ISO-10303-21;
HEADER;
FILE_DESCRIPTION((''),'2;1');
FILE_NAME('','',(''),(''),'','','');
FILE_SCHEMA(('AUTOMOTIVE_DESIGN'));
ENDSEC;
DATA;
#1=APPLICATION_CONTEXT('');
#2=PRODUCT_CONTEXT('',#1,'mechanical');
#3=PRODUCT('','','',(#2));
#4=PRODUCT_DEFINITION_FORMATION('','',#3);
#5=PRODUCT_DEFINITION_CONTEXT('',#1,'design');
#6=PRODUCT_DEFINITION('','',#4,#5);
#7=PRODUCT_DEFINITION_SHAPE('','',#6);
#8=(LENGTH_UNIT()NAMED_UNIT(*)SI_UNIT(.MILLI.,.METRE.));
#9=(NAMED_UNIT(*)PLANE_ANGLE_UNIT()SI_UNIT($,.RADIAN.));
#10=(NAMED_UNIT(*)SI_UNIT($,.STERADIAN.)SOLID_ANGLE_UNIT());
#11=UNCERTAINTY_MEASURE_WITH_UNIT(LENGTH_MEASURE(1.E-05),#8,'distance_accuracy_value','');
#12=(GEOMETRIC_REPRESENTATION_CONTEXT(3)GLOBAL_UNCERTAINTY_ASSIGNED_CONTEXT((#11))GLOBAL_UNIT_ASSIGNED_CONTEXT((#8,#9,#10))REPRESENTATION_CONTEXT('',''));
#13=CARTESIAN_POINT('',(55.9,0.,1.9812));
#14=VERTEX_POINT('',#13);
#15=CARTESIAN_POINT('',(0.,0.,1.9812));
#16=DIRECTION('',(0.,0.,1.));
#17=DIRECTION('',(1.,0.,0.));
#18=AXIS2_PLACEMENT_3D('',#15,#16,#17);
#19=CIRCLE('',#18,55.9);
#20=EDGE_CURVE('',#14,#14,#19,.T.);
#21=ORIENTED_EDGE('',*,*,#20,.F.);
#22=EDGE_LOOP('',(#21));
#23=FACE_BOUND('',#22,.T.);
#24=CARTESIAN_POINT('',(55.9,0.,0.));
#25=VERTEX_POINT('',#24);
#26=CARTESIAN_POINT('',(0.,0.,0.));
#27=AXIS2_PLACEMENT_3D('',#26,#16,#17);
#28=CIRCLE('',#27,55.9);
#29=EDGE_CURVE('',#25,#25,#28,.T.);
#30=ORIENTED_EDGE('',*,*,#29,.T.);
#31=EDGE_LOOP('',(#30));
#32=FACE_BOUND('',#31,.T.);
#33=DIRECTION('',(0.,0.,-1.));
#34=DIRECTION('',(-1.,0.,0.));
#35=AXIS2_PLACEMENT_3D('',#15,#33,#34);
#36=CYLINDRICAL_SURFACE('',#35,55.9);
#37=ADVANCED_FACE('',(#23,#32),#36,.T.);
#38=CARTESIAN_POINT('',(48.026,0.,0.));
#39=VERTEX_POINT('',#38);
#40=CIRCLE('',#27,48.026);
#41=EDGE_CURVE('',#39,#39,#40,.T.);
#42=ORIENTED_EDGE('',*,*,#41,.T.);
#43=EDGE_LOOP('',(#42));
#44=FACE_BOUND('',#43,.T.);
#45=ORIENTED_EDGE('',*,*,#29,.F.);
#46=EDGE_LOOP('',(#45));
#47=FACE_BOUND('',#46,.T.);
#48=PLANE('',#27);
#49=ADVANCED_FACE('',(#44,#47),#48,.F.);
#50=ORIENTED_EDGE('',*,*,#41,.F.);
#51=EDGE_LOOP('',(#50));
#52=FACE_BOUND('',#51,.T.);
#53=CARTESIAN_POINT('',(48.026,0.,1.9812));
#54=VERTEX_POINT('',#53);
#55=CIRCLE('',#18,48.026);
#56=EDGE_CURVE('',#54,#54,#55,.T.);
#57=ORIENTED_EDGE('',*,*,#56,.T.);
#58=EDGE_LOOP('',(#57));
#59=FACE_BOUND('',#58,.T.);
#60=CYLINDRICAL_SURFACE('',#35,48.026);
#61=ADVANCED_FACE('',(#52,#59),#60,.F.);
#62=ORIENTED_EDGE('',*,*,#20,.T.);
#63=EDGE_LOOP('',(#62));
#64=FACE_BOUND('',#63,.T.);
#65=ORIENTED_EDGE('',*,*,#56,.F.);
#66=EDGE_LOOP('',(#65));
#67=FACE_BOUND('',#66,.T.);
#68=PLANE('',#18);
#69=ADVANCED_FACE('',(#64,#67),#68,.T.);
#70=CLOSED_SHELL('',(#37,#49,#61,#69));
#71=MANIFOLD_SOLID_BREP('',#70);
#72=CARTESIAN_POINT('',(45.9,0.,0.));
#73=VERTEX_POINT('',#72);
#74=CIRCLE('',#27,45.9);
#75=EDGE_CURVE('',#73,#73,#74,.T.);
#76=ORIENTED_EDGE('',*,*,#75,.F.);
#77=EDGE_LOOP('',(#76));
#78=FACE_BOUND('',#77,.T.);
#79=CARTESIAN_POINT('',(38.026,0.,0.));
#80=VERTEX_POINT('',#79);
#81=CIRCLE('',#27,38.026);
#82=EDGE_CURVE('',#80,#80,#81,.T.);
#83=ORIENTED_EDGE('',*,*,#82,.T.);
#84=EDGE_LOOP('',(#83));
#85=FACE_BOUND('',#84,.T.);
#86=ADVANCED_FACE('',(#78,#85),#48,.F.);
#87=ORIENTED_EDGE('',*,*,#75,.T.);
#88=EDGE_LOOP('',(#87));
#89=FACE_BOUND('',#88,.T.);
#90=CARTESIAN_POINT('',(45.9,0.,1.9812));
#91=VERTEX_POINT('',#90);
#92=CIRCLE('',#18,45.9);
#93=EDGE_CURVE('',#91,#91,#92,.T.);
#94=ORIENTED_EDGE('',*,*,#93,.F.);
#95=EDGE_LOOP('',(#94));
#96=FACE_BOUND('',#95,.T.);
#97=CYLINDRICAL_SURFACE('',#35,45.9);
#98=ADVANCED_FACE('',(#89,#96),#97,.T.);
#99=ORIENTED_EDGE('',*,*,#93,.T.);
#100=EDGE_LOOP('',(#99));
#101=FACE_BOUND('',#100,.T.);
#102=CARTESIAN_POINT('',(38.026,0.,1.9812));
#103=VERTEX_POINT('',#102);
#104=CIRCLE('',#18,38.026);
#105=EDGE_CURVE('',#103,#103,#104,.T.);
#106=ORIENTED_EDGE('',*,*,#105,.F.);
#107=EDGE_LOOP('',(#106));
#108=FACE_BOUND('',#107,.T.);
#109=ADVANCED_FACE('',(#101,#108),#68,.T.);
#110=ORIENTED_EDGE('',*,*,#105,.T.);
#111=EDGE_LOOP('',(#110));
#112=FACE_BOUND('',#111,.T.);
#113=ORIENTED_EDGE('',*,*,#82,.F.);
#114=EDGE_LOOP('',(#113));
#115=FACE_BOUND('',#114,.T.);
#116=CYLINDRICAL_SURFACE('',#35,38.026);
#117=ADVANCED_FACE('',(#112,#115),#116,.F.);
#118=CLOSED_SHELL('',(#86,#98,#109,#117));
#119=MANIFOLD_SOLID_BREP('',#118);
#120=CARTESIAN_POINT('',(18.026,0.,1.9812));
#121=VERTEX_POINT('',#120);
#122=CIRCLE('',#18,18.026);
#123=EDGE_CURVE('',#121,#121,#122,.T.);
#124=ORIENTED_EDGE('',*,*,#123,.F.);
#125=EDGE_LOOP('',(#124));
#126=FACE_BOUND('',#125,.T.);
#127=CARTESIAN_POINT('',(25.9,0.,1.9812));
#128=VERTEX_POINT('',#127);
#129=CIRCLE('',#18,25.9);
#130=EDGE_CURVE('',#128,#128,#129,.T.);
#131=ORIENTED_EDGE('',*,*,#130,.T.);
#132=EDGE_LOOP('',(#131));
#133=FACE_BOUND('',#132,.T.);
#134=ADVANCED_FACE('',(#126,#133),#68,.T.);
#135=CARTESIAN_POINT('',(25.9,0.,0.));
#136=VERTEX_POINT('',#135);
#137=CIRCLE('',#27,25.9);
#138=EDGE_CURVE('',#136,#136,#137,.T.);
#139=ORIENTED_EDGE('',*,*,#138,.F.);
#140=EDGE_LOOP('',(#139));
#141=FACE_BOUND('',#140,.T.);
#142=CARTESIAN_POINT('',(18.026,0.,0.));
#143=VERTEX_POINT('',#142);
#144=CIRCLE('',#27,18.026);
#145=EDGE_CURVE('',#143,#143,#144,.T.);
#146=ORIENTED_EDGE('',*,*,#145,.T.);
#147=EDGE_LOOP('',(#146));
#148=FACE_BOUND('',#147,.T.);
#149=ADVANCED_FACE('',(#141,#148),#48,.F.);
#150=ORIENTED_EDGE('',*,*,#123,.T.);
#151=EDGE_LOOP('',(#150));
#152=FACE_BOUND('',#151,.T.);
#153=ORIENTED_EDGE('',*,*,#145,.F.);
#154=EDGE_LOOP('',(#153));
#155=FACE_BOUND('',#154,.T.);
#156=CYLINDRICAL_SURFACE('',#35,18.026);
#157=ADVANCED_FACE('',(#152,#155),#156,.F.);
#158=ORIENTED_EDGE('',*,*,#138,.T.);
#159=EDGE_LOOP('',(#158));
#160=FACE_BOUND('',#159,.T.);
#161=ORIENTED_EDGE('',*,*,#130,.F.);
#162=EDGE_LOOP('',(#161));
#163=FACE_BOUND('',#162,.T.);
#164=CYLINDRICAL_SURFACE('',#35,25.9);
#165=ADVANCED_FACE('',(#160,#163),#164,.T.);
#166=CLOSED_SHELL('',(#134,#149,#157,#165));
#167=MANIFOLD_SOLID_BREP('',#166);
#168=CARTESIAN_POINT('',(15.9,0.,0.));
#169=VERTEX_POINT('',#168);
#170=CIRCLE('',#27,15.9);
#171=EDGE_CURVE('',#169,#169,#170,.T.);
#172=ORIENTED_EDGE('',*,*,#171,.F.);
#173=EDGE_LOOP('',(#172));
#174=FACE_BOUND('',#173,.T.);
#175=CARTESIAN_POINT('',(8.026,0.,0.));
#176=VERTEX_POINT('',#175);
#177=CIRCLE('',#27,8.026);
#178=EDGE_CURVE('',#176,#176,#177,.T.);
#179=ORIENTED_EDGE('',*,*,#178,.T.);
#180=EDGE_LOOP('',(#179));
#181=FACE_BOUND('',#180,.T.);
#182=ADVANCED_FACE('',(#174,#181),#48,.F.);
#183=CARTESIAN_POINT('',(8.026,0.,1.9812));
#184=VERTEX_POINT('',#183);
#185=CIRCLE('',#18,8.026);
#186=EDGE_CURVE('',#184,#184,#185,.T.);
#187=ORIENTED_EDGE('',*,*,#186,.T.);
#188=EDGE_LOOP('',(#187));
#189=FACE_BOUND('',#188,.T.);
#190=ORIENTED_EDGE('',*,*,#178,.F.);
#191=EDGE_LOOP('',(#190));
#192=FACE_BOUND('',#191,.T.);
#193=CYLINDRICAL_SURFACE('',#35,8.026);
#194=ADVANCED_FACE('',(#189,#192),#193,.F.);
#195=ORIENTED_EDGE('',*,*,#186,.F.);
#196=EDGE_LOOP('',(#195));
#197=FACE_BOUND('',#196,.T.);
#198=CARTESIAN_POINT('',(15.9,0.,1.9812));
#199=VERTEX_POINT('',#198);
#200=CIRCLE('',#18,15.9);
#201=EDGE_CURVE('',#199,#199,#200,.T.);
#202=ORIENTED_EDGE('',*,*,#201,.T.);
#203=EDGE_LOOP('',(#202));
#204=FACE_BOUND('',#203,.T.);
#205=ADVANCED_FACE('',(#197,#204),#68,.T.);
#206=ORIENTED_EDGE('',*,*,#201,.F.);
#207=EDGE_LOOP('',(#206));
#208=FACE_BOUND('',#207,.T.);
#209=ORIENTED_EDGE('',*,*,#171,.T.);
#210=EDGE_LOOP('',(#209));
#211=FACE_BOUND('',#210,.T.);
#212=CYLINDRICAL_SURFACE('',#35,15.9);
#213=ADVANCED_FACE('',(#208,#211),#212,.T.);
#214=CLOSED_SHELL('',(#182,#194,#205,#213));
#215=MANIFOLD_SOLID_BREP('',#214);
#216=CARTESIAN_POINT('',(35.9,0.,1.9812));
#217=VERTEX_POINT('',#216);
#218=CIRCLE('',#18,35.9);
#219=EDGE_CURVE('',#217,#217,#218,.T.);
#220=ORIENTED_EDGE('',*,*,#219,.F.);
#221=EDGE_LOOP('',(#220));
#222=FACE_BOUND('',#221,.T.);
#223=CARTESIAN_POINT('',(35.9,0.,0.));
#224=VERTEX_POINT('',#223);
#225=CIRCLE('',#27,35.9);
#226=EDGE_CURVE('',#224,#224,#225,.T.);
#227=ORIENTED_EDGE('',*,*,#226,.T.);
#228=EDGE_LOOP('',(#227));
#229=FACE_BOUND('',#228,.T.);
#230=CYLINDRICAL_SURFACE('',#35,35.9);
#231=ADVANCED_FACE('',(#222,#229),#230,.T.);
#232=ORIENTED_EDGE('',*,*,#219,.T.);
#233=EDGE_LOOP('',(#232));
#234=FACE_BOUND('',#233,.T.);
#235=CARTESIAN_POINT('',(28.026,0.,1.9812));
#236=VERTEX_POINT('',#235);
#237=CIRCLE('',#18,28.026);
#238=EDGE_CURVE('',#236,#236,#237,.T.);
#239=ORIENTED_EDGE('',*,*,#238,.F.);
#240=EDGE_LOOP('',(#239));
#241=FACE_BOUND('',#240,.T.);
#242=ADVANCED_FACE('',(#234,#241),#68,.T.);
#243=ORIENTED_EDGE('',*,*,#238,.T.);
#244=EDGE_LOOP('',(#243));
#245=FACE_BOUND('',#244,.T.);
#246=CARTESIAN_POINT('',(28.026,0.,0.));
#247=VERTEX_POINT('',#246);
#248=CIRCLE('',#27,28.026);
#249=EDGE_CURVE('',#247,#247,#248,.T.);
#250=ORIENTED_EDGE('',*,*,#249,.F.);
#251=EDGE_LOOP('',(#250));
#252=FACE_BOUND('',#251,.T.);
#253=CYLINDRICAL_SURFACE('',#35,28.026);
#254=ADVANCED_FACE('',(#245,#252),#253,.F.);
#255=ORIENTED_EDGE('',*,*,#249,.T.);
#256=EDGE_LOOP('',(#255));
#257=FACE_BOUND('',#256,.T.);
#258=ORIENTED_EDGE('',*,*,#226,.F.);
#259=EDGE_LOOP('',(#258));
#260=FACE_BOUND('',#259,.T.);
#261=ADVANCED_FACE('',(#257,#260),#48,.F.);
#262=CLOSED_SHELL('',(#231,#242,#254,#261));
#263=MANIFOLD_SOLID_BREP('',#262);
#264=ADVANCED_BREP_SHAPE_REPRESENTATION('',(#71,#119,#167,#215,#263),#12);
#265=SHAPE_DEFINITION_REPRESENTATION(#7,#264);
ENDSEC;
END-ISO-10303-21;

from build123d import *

# Parameters (mm, degrees)
SKETCH1_R             = 55.9
SKETCH1_R_2           = 48.026
BOSS_EXTRUDE1_DEPTH   = 1.9812
SKETCH1_R_3           = 45.9
SKETCH1_R_4           = 38.026
BOSS_EXTRUDE1_2_DEPTH = 1.9812
SKETCH1_R_5           = 35.9
SKETCH1_R_6           = 28.026
BOSS_EXTRUDE1_3_DEPTH = 1.9812
SKETCH1_R_7           = 25.9
SKETCH1_R_8           = 18.026
BOSS_EXTRUDE1_4_DEPTH = 1.9812
SKETCH1_R_9           = 15.9
SKETCH1_R_10          = 8.026
BOSS_EXTRUDE1_5_DEPTH = 1.9812


with BuildPart() as part:
    # Sketch1 → Boss-Extrude1 (new body)
    with BuildSketch(Plane.XY):
        Circle(SKETCH1_R)
        Circle(SKETCH1_R_2, mode=Mode.SUBTRACT)
    extrude(amount=BOSS_EXTRUDE1_DEPTH)


with BuildPart() as body_2:
    # Sketch1 → Boss-Extrude1 2 (new body)
    with BuildSketch(Plane.XY):
        Circle(SKETCH1_R_3)
        Circle(SKETCH1_R_4, mode=Mode.SUBTRACT)
    extrude(amount=BOSS_EXTRUDE1_2_DEPTH)


with BuildPart() as body_3:
    # Sketch1 → Boss-Extrude1 3 (new body)
    with BuildSketch(Plane.XY):
        Circle(SKETCH1_R_5)
        Circle(SKETCH1_R_6, mode=Mode.SUBTRACT)
    extrude(amount=BOSS_EXTRUDE1_3_DEPTH)


with BuildPart() as body_4:
    # Sketch1 → Boss-Extrude1 4 (new body)
    with BuildSketch(Plane.XY):
        Circle(SKETCH1_R_7)
        Circle(SKETCH1_R_8, mode=Mode.SUBTRACT)
    extrude(amount=BOSS_EXTRUDE1_4_DEPTH)


with BuildPart() as body_5:
    # Sketch1 → Boss-Extrude1 5 (new body)
    with BuildSketch(Plane.XY):
        Circle(SKETCH1_R_9)
        Circle(SKETCH1_R_10, mode=Mode.SUBTRACT)
    extrude(amount=BOSS_EXTRUDE1_5_DEPTH)


solid = Compound([part.part, body_2.part, body_3.part, body_4.part, body_5.part])
